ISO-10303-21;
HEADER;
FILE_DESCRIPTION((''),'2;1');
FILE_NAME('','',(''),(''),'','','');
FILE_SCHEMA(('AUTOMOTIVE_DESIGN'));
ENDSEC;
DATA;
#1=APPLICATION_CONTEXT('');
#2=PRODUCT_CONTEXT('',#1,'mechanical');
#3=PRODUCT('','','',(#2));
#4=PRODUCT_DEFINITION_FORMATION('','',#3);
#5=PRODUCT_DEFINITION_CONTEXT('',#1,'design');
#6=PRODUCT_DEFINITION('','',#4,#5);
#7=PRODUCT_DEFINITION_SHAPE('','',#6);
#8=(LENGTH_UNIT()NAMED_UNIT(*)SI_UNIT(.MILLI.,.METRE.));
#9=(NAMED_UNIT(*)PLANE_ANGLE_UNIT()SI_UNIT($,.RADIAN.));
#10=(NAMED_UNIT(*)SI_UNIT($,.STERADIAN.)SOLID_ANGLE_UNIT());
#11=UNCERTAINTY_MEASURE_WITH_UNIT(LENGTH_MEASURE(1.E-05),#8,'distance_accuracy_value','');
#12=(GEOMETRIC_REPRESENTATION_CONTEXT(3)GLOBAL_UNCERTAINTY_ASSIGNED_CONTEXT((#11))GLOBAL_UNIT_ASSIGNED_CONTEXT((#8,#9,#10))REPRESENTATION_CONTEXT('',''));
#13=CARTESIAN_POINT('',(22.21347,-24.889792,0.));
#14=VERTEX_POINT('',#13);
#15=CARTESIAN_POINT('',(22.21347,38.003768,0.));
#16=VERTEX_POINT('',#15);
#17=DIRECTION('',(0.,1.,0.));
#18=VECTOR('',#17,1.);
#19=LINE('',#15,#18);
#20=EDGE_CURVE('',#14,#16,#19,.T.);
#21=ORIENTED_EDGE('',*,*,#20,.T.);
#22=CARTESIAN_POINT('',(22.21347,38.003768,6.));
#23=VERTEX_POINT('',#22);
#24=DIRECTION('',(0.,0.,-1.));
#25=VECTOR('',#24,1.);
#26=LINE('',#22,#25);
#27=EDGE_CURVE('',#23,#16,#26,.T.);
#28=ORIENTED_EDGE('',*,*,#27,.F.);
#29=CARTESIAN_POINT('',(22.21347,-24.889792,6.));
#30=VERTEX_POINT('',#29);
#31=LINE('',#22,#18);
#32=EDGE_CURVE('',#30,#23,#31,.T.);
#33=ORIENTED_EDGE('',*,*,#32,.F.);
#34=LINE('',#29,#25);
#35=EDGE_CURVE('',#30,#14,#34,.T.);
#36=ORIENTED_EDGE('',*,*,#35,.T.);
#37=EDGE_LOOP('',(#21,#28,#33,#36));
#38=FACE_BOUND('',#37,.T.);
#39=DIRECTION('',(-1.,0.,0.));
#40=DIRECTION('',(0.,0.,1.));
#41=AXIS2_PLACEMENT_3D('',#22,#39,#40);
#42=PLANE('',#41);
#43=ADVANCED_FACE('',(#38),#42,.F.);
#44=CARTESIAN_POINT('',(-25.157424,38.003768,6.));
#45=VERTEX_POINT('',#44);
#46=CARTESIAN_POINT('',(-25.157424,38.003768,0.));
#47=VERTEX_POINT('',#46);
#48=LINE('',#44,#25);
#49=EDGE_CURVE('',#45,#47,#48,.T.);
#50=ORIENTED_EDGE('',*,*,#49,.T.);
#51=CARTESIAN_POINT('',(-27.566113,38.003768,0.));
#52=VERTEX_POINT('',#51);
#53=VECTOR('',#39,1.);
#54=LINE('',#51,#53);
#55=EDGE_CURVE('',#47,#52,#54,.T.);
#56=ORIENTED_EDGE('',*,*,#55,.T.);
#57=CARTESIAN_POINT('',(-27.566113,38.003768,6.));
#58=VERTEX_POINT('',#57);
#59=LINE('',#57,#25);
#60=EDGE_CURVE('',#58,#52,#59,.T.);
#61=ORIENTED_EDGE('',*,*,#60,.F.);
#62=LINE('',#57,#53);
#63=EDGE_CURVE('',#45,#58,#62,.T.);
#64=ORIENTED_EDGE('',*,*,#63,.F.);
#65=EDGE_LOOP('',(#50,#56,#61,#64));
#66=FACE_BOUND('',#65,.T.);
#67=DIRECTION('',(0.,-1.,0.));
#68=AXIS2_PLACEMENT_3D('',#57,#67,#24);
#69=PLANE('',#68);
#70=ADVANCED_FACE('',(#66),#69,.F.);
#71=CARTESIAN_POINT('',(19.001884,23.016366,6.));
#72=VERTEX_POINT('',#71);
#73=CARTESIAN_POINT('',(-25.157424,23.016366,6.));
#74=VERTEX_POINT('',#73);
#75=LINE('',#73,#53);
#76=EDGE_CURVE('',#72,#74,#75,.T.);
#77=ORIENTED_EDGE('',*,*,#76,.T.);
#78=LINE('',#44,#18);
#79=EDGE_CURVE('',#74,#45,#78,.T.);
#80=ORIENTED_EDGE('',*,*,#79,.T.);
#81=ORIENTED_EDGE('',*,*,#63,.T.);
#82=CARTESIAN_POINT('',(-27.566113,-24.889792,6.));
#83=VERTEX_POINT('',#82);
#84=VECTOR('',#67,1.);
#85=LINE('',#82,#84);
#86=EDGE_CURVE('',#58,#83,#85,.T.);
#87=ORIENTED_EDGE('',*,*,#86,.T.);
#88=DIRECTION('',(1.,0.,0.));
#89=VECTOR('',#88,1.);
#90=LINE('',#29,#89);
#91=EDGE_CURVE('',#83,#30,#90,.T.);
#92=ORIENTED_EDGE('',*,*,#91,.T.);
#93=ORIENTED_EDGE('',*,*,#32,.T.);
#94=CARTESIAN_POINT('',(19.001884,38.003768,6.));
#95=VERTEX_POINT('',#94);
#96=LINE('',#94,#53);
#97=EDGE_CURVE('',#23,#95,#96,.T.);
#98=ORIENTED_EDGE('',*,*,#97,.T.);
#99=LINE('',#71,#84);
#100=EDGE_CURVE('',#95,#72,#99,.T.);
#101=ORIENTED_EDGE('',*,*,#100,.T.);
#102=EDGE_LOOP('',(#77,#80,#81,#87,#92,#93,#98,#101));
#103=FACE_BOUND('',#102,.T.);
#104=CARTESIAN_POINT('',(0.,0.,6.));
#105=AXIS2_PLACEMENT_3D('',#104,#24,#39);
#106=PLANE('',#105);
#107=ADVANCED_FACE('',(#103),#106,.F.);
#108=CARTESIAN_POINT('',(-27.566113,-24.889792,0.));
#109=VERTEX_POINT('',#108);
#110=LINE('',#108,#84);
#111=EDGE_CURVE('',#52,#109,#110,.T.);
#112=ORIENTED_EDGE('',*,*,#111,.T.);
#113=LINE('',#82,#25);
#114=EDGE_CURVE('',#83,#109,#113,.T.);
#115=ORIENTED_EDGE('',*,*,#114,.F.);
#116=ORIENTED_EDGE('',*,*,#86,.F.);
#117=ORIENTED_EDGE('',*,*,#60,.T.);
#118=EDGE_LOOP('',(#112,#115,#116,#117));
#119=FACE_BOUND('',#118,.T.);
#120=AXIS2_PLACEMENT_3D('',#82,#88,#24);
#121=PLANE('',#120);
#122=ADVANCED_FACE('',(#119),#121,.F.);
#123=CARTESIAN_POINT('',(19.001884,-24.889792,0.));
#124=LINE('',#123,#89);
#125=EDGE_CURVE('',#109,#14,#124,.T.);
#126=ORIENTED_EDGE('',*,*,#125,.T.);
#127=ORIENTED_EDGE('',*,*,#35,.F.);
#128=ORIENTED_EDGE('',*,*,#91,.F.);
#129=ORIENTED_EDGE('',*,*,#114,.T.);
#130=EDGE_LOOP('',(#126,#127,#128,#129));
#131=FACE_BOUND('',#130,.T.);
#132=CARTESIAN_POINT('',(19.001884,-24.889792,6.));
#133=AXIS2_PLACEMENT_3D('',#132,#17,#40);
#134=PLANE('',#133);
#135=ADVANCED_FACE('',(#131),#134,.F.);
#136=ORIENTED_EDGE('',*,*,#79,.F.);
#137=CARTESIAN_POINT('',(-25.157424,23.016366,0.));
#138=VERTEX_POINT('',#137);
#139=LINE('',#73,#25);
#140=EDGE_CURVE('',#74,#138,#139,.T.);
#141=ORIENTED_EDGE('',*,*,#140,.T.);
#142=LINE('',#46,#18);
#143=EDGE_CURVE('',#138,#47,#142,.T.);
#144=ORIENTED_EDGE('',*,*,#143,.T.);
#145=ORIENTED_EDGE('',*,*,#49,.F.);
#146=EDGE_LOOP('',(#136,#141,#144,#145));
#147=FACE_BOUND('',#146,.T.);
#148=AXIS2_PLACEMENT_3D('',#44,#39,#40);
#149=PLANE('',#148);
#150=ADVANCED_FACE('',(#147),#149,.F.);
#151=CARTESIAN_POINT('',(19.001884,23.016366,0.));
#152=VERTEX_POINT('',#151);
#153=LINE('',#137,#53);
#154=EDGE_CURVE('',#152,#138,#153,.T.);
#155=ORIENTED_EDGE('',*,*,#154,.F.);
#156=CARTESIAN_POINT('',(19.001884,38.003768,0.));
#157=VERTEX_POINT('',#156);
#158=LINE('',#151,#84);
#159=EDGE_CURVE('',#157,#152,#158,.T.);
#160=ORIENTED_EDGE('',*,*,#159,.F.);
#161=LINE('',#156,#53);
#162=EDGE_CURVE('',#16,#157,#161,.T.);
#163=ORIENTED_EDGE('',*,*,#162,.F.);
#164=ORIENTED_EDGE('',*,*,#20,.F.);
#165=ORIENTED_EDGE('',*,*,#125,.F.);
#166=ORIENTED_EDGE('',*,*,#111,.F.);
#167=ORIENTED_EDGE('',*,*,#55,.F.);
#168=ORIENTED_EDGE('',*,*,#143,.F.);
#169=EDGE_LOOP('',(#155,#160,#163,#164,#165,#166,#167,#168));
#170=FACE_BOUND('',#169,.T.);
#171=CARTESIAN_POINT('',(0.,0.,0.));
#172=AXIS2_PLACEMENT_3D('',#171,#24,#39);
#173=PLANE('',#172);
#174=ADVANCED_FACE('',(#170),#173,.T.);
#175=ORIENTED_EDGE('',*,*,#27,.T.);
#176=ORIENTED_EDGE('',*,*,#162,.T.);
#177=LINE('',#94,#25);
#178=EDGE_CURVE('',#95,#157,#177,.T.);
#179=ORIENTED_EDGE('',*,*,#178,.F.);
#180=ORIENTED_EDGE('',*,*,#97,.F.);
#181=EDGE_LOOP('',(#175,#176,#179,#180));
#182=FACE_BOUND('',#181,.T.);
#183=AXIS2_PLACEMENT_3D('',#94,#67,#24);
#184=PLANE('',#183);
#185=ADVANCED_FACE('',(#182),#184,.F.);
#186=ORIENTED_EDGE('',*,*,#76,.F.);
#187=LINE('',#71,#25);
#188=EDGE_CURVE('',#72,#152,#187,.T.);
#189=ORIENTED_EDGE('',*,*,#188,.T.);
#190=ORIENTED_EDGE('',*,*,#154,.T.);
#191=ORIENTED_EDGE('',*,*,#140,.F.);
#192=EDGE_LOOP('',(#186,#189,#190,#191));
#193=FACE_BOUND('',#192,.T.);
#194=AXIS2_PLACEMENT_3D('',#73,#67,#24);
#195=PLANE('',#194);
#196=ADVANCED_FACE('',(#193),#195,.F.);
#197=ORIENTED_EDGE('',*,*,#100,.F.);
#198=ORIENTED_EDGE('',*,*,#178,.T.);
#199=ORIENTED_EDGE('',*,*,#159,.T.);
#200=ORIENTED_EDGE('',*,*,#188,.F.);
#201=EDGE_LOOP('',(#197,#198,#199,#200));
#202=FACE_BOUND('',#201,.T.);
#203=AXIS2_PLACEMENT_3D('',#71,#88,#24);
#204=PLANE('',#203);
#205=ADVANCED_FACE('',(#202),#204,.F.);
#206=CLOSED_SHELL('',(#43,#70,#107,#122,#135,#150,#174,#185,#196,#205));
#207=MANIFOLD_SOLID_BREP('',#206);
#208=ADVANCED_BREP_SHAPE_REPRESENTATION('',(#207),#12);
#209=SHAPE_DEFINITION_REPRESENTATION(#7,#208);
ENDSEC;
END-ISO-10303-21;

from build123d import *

# Parameters (mm, degrees)
BOSS_EXTRUDE1_DEPTH = 6


with BuildPart() as part:
    # Sketch1 → Boss-Extrude1 (new body)
    with BuildSketch(Plane.XY):
        Polygon((19.001883861, -24.889791536), (-27.566113206, -24.889791536), (-27.566113206, 38.003767721), (-25.157423703, 38.003767721), (-25.157423703, 23.016366366), (19.001883861, 23.016366366), (19.001883861, 38.003767721), (22.213469865, 38.003767721), (22.213469865, -24.889791536), align=None)
    extrude(amount=BOSS_EXTRUDE1_DEPTH)


solid = part.part
